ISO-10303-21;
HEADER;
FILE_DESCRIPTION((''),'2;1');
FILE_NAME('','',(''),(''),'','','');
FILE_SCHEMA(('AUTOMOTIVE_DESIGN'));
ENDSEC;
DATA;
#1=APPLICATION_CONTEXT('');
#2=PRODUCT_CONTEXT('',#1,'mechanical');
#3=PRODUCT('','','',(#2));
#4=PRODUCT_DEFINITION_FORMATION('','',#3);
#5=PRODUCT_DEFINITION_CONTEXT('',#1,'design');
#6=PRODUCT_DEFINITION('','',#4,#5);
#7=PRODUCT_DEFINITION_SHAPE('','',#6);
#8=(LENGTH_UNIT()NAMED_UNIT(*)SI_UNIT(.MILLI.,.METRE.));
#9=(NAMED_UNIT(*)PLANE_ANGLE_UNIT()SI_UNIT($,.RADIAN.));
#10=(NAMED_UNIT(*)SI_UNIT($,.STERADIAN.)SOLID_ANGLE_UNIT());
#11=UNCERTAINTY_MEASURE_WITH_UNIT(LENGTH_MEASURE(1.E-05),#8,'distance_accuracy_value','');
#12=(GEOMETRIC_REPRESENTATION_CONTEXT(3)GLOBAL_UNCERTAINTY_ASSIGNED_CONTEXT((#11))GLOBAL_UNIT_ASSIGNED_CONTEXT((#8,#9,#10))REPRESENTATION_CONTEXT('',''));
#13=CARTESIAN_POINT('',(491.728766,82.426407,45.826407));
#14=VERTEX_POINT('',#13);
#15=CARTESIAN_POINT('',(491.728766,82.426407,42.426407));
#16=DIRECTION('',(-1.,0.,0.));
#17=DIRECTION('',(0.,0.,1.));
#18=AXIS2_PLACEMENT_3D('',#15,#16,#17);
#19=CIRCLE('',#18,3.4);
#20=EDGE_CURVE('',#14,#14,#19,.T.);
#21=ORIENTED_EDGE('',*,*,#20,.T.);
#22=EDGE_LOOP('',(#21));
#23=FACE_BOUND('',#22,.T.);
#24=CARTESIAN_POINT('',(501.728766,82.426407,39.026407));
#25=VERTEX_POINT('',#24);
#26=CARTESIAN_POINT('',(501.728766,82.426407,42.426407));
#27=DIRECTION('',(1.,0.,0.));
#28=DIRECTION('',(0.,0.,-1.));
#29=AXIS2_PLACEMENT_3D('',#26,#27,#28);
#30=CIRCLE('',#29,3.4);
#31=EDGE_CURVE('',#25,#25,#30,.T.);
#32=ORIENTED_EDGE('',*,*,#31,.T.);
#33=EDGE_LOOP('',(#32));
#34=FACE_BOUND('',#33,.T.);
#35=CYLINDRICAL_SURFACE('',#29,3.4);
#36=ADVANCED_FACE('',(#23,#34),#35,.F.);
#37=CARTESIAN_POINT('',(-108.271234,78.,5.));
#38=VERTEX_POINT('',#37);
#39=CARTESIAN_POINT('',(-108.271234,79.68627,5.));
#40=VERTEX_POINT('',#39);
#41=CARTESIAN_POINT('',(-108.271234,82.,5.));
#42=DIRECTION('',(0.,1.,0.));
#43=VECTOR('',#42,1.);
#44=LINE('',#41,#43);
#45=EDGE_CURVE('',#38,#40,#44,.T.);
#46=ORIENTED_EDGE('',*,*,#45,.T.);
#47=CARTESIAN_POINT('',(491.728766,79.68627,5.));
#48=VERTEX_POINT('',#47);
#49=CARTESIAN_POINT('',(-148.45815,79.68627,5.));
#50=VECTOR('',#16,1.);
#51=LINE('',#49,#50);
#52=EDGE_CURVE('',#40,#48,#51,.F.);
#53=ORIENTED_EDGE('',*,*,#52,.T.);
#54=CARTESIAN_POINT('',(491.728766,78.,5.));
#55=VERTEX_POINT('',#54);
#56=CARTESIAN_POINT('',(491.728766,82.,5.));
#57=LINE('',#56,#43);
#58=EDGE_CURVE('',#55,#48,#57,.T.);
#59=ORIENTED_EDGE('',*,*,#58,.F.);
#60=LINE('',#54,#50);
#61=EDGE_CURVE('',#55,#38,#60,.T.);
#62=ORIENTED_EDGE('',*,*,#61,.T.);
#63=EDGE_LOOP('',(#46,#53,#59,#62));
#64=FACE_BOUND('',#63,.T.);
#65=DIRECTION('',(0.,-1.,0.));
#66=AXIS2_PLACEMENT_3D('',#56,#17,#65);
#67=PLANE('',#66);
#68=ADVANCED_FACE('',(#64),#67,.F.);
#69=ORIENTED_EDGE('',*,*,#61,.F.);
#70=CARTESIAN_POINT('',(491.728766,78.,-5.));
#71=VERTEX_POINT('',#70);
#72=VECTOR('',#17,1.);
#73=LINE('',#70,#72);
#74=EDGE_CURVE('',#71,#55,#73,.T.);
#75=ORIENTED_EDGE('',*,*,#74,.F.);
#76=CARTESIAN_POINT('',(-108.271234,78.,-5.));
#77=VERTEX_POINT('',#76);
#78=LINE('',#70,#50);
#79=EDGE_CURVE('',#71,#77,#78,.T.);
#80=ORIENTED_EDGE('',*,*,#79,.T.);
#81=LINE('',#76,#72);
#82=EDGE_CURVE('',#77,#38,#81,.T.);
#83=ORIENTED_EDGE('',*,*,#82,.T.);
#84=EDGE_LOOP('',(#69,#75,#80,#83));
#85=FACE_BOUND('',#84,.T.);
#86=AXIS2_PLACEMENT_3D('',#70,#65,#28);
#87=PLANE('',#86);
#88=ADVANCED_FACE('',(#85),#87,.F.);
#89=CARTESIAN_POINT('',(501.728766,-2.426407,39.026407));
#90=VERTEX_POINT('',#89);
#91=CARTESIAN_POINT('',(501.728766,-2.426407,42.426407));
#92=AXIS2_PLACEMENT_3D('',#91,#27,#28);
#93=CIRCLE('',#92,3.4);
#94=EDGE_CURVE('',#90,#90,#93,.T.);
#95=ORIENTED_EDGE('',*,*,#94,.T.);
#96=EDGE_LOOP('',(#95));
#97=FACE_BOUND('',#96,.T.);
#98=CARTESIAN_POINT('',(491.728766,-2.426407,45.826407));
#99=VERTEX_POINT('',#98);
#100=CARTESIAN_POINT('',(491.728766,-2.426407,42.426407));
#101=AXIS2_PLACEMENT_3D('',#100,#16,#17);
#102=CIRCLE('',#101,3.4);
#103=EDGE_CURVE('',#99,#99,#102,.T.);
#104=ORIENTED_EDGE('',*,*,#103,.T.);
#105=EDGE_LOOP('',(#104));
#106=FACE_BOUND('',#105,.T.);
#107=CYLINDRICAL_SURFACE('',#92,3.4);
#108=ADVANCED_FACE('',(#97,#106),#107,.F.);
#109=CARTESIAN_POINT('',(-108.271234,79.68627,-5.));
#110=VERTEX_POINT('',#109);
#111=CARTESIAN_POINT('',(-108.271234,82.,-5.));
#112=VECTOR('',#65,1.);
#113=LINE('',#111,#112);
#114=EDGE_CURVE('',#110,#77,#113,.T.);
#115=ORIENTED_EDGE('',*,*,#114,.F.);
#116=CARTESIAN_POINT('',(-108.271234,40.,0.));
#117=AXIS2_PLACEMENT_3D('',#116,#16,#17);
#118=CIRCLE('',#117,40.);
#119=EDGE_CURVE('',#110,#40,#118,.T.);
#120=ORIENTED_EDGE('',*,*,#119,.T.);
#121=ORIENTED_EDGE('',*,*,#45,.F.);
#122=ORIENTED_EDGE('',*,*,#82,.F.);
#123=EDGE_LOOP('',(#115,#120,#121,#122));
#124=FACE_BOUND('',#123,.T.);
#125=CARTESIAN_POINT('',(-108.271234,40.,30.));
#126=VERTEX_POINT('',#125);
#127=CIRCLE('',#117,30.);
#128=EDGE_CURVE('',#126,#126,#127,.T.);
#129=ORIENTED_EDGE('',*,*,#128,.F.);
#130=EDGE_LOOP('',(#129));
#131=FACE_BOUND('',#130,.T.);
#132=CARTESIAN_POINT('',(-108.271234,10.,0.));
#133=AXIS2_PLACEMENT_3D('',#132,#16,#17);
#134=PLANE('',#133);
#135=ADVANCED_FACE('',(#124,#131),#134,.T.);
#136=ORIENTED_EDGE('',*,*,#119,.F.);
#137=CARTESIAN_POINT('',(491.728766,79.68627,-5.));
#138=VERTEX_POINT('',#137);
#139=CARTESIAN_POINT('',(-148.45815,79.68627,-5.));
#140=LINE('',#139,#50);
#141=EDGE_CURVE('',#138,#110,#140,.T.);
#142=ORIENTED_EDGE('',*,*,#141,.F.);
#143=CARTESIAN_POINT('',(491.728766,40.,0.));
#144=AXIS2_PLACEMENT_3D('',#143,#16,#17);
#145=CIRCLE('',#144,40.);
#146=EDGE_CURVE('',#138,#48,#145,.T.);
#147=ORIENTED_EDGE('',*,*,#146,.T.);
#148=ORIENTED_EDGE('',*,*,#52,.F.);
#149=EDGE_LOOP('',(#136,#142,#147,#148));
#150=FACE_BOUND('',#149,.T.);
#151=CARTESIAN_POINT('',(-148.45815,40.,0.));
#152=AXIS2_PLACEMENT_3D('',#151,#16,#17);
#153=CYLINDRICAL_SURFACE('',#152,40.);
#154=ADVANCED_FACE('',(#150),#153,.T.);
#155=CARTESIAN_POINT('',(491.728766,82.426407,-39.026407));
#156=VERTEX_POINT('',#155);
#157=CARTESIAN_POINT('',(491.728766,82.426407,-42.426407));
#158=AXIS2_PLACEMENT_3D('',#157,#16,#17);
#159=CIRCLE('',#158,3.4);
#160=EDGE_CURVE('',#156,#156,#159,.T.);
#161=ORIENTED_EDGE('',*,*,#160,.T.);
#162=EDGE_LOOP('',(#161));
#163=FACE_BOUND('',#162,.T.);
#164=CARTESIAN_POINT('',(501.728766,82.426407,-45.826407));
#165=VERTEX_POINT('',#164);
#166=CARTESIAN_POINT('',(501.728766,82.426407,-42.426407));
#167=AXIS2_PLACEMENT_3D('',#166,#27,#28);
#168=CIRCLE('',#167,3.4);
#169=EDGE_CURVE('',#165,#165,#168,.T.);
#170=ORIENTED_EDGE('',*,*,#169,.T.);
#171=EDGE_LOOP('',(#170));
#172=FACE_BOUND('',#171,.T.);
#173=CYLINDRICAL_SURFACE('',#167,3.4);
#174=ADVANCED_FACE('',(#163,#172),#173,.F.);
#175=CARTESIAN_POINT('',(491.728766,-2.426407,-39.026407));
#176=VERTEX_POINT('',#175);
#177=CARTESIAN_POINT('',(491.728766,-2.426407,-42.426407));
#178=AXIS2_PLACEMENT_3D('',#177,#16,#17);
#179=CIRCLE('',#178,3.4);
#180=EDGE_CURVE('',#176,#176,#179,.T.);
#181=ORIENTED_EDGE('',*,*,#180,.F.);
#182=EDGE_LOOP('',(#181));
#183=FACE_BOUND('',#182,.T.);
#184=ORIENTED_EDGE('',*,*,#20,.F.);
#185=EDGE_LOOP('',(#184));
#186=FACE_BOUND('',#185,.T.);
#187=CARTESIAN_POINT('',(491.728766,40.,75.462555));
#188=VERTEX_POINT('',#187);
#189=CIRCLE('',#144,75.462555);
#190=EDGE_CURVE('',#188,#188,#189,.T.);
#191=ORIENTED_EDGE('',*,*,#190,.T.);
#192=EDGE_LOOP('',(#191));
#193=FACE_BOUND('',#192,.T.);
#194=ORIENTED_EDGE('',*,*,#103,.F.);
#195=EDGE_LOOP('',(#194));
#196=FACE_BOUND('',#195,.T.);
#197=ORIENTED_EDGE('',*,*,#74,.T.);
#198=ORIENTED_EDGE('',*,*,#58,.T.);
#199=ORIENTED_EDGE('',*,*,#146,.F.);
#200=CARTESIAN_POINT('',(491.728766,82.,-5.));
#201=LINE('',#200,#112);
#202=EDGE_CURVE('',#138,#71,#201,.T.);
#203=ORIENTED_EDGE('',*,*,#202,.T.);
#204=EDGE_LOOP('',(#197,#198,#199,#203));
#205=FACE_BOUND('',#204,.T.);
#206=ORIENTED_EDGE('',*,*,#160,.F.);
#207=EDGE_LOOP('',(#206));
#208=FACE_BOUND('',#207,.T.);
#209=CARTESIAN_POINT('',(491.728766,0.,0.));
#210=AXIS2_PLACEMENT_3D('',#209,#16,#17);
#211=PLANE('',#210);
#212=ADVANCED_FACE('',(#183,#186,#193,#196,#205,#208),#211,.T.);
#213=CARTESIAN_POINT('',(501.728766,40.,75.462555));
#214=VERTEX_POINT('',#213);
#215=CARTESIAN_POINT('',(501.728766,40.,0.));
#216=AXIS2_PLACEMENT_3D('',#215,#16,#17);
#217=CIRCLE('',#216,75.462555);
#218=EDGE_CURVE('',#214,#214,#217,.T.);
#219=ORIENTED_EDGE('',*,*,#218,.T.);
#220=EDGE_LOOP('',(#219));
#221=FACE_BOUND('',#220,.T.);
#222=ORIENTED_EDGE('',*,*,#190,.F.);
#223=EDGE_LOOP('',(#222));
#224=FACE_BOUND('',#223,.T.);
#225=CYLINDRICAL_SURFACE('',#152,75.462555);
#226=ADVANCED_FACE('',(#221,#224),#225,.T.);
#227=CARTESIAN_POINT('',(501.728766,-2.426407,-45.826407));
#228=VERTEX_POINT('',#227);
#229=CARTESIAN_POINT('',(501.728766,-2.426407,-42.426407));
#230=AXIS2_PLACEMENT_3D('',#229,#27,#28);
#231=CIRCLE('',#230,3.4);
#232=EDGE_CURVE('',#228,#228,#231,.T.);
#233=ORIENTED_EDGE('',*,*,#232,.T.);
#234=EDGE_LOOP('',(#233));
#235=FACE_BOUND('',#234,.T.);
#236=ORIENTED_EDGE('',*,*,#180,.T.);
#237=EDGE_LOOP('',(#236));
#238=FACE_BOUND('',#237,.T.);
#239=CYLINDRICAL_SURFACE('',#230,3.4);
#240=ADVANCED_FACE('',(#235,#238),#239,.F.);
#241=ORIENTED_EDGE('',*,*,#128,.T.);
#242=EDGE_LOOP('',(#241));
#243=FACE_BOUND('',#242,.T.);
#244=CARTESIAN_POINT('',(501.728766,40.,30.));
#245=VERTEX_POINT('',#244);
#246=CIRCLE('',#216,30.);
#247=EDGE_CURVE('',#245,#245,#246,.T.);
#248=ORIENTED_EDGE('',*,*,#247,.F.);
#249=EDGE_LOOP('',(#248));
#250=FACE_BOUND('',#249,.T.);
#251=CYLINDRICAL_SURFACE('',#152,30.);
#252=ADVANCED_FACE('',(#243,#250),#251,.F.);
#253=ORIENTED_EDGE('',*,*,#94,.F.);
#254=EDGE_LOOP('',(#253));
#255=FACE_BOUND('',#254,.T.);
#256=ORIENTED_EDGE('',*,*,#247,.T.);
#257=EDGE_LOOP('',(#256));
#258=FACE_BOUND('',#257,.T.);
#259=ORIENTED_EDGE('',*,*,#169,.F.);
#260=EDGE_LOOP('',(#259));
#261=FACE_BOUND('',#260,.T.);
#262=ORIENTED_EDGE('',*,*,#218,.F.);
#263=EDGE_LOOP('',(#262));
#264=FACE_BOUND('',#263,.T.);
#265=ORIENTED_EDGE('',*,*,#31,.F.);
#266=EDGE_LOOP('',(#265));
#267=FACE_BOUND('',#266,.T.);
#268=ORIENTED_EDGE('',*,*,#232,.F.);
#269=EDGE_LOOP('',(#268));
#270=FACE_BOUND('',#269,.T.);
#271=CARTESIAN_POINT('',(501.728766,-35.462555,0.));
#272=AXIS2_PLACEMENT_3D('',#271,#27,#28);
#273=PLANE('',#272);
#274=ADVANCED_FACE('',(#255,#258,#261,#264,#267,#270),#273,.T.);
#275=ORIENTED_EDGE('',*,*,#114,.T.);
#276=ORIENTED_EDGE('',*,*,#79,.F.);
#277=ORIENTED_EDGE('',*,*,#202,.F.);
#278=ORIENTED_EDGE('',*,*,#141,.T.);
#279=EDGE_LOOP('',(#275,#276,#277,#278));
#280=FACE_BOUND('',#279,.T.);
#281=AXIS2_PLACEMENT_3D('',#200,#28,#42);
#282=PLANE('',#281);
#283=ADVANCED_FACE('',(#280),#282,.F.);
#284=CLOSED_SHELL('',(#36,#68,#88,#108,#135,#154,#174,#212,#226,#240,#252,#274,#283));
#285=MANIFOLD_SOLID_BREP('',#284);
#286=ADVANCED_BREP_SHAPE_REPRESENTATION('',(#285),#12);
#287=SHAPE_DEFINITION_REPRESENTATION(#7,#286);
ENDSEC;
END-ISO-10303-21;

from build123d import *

# Parameters (mm, degrees)
SKETCH2_W             = 10
SKETCH2_H             = 4
EXTRUDE1_DEPTH        = 600
M8_TAPPED_HOLE1_D     = 6.8
M8_TAPPED_HOLE1_DEPTH = 19.75
M8_TAPPED_HOLE1_TIP   = 2.042926105


with BuildPart() as part:
    # Sketch1 → Revolve1 (revolve)
    with BuildSketch(Plane.XY, mode=Mode.PRIVATE) as revolve1_sk:
        Polygon((-108.27123445, 10), (-108.27123445, 0), (491.72876555, 0), (491.72876555, -35.462555066), (501.72876555, -35.462555066), (501.72876555, 10), align=None)
    revolve(revolve1_sk.sketch.rotate(Axis((-148.45814978, 40, 0), (1, 0, 0)), 270), axis=Axis((-148.45814978, 40, 0), (1, 0, 0)))

    # Sketch2 → Extrude1 (cut)
    with BuildSketch(Plane.ZY.offset(108.27123445)):
        with Locations((0, 80)):
            Rectangle(SKETCH2_W, SKETCH2_H)
    extrude(amount=-EXTRUDE1_DEPTH, mode=Mode.SUBTRACT)

    # M8 Tapped Hole1
    with Locations(Plane(origin=(501.72876555, 82.426406871, 42.426406871), x_dir=(0, 0, 1), z_dir=(1, 0, 0))):
        with Locations((0, 0), (-84.852813742, 0), (-84.852813742, 84.852813742), (0, 84.852813742)):
            Hole(M8_TAPPED_HOLE1_D / 2, depth=M8_TAPPED_HOLE1_DEPTH)
            with Locations((0, 0, -(M8_TAPPED_HOLE1_DEPTH + M8_TAPPED_HOLE1_TIP / 2))):  # 118° drill point
                Cone(0, M8_TAPPED_HOLE1_D / 2, M8_TAPPED_HOLE1_TIP, mode=Mode.SUBTRACT)


solid = part.part
